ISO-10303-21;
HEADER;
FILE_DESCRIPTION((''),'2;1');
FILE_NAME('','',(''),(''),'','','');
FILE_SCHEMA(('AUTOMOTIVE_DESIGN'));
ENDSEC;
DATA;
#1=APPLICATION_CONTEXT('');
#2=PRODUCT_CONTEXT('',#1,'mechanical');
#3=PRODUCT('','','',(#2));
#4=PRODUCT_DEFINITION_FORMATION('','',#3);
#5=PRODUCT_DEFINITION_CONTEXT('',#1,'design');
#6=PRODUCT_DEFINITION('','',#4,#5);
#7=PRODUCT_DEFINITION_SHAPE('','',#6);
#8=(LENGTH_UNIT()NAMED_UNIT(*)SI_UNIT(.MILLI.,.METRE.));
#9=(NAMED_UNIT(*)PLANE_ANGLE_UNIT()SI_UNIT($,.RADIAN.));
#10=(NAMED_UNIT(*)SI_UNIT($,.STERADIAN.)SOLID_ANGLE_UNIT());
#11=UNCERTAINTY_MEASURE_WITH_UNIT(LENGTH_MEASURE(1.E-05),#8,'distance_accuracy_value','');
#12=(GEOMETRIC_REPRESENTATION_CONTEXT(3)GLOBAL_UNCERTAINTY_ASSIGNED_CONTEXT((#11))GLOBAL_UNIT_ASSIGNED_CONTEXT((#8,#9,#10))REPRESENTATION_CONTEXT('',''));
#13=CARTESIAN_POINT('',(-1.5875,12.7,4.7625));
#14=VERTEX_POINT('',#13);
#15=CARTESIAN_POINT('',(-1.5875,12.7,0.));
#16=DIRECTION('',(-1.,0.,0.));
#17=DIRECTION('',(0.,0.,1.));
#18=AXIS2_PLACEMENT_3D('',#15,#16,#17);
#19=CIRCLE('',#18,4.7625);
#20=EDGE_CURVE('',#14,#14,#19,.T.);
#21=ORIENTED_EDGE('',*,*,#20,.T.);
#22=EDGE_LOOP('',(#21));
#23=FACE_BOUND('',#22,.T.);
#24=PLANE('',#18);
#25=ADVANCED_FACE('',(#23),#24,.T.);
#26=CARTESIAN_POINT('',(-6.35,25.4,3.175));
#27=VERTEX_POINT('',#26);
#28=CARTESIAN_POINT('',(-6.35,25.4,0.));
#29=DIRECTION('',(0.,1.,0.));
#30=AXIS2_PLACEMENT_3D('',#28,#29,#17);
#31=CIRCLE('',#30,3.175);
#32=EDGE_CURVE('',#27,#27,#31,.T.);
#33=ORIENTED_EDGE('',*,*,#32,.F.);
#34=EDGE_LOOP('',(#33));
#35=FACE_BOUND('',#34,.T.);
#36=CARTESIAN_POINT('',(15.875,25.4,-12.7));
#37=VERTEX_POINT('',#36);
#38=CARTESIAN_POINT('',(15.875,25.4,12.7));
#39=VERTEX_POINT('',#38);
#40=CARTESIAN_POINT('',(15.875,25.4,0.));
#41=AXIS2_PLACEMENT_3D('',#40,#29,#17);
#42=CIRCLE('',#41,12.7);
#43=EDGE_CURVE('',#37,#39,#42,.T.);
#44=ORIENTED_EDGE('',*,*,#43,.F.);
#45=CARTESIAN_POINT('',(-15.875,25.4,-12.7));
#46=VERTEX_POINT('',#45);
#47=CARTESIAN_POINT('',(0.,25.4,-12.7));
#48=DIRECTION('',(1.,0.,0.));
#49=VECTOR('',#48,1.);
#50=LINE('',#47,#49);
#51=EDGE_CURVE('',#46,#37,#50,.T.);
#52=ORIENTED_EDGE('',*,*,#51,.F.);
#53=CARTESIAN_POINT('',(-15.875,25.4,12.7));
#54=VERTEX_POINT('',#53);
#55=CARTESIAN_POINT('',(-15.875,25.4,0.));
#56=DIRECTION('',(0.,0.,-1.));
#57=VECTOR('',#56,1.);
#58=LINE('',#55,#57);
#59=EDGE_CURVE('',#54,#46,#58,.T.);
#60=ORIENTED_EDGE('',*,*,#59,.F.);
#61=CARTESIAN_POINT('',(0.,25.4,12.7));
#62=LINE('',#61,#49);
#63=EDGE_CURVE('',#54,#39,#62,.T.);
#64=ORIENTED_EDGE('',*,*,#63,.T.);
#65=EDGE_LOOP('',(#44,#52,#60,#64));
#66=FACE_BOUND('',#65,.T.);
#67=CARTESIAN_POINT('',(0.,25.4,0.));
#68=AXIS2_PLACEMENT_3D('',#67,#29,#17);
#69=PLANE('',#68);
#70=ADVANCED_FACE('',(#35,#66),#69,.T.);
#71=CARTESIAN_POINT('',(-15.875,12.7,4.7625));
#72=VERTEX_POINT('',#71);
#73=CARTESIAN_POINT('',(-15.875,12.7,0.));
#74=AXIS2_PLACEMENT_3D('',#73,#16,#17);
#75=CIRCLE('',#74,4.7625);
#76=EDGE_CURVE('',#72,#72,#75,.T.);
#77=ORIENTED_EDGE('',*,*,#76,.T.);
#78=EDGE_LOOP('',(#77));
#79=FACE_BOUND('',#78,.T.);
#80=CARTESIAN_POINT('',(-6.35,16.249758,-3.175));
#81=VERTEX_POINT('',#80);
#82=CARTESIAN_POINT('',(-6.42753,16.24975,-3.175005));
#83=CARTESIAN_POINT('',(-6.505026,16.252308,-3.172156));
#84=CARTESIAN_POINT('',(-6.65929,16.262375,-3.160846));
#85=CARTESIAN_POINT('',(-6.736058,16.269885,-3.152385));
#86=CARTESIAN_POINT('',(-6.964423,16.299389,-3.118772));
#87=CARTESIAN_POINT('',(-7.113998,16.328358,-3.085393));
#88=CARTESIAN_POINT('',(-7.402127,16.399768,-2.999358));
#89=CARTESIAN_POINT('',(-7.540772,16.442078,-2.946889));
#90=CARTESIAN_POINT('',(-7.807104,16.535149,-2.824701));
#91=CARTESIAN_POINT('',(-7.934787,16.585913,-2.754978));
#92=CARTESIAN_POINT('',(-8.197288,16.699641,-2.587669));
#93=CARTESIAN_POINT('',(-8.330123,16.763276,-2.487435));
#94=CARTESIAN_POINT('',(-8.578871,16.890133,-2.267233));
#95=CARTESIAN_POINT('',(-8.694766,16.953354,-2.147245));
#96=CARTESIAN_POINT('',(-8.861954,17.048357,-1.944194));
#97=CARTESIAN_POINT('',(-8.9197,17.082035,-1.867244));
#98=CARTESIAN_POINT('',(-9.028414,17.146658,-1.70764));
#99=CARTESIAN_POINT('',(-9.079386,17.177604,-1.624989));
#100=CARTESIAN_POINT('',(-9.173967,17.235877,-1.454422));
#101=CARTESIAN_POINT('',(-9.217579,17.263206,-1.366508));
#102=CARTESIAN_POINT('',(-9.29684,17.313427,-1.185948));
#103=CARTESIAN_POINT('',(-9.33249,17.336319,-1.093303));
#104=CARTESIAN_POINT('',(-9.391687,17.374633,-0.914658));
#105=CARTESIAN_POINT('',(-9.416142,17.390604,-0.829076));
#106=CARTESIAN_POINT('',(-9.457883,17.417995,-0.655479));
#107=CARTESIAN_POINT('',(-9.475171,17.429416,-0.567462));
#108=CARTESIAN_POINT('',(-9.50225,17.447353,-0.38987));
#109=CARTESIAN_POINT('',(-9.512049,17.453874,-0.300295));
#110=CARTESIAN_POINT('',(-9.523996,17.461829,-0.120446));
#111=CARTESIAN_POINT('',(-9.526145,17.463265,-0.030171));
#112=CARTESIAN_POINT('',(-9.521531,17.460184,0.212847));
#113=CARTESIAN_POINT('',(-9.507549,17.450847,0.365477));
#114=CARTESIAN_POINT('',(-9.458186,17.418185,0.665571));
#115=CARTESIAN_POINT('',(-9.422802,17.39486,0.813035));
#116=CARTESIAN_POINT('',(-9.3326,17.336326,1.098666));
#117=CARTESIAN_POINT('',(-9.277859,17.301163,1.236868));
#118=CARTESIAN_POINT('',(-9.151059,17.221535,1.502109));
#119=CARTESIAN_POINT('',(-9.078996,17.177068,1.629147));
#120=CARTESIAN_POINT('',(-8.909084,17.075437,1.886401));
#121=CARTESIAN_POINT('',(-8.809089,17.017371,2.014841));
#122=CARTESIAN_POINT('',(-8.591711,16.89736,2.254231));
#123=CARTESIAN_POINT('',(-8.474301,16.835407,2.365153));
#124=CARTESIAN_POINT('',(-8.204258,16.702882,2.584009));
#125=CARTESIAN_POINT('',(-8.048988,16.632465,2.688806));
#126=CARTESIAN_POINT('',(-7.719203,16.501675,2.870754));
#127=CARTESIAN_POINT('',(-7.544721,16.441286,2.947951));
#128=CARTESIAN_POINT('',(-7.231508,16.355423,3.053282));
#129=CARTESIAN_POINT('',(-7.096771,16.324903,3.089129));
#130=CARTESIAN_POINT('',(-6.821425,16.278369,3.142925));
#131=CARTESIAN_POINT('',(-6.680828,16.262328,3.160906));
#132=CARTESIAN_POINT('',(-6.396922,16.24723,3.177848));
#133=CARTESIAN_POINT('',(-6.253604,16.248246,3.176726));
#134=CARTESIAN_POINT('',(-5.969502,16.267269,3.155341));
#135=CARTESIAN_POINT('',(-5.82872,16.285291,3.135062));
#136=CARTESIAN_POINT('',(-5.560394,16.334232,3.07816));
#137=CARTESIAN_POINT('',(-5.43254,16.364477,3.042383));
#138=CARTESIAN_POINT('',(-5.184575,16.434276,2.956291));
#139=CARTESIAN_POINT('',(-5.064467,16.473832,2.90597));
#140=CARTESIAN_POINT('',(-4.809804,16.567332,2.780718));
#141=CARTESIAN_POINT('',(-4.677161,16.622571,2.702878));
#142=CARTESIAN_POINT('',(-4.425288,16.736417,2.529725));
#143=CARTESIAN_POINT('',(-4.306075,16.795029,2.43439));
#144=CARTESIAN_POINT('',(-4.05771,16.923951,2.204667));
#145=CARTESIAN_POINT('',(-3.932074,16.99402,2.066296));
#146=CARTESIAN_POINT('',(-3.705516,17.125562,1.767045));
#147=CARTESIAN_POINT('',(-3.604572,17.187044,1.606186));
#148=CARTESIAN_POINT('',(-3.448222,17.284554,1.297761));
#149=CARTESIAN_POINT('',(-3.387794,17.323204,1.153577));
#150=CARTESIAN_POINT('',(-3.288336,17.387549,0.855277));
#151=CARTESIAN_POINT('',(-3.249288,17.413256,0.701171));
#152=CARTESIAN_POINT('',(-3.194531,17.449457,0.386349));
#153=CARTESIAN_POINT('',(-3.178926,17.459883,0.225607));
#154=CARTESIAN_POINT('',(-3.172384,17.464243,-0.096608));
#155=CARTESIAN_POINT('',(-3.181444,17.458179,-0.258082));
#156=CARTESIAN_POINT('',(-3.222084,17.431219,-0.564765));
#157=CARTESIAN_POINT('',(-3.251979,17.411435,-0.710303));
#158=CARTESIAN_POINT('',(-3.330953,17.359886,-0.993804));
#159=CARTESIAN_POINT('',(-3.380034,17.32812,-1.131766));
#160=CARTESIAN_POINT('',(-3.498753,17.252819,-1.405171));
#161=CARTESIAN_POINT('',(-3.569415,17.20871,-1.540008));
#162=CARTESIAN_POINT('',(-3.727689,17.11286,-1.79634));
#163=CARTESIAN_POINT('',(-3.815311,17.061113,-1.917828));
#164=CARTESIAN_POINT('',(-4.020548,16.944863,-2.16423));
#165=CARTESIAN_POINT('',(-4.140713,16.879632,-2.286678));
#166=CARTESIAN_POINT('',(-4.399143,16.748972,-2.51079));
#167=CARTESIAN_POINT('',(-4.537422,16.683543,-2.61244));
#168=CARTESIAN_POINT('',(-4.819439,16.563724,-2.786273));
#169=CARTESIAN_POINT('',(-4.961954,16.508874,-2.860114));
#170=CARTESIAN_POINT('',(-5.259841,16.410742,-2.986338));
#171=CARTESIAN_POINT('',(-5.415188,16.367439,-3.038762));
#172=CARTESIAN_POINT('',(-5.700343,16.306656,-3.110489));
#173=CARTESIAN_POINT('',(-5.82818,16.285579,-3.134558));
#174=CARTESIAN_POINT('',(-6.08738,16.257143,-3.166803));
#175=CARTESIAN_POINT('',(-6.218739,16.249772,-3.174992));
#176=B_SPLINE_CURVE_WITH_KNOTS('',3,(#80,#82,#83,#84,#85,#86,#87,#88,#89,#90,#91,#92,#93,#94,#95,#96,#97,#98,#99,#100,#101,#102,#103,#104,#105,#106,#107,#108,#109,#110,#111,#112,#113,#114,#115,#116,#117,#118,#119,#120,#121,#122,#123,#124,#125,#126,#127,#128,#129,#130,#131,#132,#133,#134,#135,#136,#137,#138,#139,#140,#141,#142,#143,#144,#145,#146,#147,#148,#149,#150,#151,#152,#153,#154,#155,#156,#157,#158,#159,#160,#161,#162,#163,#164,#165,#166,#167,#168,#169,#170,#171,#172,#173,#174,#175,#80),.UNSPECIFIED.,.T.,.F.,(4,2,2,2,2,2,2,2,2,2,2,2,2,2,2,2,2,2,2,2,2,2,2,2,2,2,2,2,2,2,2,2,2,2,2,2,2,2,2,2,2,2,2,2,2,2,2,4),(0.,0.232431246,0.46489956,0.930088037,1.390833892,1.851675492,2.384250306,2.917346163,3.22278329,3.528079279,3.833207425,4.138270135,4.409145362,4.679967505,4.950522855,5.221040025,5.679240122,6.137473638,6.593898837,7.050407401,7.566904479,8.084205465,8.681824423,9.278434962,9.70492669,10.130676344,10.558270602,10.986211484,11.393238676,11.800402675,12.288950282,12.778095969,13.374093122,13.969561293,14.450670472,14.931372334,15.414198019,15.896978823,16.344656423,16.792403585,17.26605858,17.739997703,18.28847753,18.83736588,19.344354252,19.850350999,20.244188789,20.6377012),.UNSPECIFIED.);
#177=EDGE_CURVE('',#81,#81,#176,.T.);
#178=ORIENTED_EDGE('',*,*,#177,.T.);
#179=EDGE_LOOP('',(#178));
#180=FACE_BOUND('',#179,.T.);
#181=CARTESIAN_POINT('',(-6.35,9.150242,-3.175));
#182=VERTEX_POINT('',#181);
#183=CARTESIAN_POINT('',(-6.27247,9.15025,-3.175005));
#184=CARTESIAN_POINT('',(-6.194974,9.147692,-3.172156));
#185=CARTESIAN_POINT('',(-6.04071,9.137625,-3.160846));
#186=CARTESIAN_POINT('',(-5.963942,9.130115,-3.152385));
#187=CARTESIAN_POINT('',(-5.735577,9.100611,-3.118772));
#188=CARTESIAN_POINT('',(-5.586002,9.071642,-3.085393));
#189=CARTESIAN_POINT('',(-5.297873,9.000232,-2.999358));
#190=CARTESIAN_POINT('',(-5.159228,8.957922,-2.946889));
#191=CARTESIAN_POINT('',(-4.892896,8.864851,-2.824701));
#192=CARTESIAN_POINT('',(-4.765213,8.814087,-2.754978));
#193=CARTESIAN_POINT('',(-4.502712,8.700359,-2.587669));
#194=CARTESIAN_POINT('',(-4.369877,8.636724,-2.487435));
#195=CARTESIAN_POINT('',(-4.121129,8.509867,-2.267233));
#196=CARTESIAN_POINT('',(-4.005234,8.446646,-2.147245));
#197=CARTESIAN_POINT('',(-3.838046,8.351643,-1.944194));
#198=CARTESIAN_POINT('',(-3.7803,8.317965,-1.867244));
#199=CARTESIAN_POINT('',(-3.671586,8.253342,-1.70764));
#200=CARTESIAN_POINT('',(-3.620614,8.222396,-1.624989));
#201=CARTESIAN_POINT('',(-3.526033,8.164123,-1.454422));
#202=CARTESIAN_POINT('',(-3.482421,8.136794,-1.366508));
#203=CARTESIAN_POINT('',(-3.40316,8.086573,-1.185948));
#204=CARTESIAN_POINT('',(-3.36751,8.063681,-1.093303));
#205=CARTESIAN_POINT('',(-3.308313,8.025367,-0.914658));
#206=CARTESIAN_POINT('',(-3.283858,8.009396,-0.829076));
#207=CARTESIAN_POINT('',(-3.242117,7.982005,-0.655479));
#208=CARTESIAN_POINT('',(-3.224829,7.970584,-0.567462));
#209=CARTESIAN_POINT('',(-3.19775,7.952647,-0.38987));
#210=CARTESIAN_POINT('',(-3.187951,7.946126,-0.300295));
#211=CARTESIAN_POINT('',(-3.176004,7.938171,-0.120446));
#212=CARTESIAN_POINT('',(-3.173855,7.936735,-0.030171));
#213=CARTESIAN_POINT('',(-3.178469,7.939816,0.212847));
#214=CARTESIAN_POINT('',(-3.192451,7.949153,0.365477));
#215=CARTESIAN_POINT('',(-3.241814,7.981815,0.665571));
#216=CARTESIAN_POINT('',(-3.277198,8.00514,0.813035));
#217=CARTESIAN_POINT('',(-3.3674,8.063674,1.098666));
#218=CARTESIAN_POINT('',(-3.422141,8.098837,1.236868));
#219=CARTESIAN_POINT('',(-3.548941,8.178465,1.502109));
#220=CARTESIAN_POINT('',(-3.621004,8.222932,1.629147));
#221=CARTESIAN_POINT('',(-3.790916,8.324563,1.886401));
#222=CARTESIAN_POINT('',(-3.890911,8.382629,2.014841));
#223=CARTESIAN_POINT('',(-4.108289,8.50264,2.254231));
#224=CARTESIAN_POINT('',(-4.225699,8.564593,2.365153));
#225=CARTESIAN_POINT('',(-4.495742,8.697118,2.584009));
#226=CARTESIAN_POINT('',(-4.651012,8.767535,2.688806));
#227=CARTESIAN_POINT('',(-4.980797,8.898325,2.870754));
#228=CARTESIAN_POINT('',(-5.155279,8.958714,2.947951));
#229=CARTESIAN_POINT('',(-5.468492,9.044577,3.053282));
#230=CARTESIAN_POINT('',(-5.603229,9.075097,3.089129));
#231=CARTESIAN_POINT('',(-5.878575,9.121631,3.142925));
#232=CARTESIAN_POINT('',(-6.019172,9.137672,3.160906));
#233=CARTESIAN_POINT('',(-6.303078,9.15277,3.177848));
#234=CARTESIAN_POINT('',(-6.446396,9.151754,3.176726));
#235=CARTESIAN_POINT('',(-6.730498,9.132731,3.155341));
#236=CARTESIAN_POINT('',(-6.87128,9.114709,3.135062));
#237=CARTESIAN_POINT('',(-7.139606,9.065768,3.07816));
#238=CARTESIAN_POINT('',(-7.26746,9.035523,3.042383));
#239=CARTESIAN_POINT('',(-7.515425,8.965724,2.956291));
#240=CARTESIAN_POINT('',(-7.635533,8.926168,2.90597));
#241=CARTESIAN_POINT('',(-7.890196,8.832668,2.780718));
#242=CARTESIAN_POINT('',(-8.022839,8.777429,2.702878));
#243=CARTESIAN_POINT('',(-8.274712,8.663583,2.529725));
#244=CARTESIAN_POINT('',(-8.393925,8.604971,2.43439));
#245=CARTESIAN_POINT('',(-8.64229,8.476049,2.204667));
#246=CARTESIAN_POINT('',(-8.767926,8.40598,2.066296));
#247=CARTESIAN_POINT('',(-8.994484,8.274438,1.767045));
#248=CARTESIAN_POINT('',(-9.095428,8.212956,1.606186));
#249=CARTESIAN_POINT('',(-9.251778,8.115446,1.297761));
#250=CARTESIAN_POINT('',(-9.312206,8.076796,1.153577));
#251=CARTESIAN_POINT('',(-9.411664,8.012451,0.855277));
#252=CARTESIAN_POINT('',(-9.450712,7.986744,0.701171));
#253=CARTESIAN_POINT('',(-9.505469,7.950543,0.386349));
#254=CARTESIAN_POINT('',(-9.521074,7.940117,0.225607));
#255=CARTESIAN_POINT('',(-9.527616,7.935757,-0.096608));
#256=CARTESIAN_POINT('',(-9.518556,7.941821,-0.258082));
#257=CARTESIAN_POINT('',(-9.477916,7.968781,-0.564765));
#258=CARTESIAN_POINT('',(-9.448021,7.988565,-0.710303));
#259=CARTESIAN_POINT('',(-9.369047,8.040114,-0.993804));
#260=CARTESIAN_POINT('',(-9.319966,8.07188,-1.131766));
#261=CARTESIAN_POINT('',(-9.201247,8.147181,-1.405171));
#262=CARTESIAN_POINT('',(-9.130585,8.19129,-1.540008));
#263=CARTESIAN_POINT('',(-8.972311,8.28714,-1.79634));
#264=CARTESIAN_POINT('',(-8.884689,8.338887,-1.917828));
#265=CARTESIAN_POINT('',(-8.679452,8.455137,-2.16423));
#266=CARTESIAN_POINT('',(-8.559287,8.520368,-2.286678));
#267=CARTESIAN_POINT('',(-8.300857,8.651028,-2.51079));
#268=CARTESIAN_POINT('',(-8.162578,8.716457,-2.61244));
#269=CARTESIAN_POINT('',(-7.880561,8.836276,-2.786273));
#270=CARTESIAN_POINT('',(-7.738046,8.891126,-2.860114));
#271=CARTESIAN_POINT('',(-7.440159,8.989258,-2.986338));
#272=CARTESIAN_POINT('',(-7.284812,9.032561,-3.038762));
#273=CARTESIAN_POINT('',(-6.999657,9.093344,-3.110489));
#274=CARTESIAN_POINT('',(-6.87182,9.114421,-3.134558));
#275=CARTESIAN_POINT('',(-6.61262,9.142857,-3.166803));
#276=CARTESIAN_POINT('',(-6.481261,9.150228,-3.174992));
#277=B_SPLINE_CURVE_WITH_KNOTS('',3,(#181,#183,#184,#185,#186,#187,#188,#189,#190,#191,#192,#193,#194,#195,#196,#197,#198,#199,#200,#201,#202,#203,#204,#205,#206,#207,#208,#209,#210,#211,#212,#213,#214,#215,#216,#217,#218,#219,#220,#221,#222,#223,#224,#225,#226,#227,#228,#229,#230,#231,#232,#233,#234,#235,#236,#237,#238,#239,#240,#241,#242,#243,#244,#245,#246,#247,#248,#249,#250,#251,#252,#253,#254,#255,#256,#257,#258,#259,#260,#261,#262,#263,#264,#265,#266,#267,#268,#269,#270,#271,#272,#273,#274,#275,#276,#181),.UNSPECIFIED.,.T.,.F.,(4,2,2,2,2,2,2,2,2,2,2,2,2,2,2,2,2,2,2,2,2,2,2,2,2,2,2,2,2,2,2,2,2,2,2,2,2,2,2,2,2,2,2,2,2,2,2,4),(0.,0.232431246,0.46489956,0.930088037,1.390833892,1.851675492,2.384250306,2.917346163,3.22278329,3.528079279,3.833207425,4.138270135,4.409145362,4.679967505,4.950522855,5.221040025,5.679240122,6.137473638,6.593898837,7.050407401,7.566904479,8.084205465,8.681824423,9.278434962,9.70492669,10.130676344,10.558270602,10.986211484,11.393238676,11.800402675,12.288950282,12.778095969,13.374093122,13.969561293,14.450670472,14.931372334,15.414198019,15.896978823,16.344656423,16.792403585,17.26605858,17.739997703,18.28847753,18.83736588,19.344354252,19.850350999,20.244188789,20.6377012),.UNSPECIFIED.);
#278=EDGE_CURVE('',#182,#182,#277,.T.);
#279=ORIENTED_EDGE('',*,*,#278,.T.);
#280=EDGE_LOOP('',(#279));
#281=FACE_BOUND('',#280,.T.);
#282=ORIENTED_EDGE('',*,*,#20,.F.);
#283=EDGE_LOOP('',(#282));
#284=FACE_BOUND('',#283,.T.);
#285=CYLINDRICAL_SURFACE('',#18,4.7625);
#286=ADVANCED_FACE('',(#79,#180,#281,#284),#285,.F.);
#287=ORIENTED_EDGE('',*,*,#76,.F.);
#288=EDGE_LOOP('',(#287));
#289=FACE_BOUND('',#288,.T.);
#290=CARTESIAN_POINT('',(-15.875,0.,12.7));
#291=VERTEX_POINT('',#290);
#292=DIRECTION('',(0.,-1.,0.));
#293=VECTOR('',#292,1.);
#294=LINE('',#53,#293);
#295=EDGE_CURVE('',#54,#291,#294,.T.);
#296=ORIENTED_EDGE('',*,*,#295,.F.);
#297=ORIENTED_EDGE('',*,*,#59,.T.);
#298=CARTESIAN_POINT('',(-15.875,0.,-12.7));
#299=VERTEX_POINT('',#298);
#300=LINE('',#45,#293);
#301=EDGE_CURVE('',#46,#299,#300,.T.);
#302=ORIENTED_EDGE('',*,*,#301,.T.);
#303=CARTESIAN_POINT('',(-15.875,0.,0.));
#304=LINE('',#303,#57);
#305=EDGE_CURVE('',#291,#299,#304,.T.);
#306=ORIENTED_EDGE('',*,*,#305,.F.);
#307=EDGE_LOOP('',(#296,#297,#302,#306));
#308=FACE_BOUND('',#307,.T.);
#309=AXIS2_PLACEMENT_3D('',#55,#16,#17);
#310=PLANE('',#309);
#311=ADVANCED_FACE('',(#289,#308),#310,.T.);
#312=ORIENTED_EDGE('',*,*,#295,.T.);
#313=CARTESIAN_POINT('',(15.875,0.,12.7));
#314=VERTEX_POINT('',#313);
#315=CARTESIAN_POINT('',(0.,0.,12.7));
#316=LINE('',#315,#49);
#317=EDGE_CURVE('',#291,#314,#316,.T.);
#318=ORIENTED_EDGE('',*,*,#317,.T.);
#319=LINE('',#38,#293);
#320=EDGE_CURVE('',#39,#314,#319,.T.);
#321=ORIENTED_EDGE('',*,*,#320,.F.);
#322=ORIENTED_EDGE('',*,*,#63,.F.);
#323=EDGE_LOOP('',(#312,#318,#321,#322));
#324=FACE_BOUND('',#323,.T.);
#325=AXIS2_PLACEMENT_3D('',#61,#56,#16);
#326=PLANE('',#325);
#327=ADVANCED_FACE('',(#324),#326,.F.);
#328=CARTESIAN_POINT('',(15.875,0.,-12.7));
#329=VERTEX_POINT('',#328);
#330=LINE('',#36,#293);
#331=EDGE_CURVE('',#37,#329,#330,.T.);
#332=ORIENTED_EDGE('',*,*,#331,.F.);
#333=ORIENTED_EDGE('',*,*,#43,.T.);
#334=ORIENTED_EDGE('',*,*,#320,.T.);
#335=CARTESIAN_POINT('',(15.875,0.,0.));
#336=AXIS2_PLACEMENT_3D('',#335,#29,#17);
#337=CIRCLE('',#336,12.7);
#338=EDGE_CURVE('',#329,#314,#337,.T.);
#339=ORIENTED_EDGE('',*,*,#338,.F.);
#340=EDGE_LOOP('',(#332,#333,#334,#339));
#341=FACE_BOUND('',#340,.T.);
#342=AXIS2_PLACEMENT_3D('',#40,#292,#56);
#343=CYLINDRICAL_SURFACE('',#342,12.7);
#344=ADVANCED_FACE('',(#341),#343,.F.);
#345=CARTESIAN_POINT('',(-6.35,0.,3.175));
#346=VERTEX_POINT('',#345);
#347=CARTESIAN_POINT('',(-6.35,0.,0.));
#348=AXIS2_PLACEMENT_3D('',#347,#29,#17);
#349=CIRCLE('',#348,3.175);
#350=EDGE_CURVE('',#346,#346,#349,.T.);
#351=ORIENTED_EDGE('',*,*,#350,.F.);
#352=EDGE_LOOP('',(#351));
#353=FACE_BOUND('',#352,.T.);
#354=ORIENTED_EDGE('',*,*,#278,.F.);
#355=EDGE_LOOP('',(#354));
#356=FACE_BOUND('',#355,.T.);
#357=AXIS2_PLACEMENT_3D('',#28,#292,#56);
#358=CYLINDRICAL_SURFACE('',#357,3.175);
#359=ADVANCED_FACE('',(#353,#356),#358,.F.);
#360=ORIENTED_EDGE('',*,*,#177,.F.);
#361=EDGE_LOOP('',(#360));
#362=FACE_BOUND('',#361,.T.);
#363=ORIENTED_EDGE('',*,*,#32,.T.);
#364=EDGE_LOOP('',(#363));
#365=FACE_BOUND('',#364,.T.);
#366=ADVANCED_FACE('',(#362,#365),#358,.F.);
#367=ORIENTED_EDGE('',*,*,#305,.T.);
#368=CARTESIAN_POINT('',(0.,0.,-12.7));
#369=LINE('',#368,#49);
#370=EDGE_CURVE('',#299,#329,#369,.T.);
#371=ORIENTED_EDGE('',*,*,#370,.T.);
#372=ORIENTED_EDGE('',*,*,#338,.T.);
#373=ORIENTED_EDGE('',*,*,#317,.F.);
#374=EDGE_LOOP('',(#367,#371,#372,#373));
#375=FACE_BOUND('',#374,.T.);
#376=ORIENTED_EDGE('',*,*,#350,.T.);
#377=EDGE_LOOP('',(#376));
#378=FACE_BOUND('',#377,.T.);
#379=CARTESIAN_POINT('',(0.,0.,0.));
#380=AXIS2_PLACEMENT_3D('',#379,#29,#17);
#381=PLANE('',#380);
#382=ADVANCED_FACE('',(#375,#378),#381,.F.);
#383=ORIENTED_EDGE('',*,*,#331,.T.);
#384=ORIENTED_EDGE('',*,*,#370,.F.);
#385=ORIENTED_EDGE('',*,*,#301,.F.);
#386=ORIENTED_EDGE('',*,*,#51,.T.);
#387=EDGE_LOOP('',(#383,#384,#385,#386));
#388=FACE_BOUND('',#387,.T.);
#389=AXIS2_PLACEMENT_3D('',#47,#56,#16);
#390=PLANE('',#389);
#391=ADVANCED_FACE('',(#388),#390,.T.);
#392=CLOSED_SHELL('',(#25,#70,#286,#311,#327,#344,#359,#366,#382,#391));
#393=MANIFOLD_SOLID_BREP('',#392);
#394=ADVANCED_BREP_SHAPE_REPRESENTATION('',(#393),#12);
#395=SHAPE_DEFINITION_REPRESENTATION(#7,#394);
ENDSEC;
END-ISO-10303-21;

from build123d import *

# Parameters (mm, degrees)
SKETCH2_R           = 3.175
BOSS_EXTRUDE2_DEPTH = 25.4
SKETCH3_R           = 4.7625
CUT_EXTRUDE1_DEPTH  = 14.2875


with BuildPart() as part:
    # Sketch2 → Boss-Extrude2 (new body)
    with BuildSketch(Plane(origin=(0, 0, 0), x_dir=(1, 0, 0), z_dir=(0, 1, 0))):
        with BuildLine():
            Line((-15.875, 12.7), (-15.875, -12.7))
            Line((-15.875, -12.7), (15.875, -12.7))
            ThreePointArc((15.875, -12.7), (3.175, 0), (15.875, 12.7))
            Line((15.875, 12.7), (-15.875, 12.7))
        make_face()
        with Locations((-6.35, 0)):
            Circle(SKETCH2_R, mode=Mode.SUBTRACT)
    extrude(amount=BOSS_EXTRUDE2_DEPTH)

    # Sketch3 → Cut-Extrude1 (cut)
    with BuildSketch(Plane.ZY.offset(15.875)):
        with Locations((0, 12.7)):
            Circle(SKETCH3_R)
    extrude(amount=-CUT_EXTRUDE1_DEPTH, mode=Mode.SUBTRACT)


solid = part.part
